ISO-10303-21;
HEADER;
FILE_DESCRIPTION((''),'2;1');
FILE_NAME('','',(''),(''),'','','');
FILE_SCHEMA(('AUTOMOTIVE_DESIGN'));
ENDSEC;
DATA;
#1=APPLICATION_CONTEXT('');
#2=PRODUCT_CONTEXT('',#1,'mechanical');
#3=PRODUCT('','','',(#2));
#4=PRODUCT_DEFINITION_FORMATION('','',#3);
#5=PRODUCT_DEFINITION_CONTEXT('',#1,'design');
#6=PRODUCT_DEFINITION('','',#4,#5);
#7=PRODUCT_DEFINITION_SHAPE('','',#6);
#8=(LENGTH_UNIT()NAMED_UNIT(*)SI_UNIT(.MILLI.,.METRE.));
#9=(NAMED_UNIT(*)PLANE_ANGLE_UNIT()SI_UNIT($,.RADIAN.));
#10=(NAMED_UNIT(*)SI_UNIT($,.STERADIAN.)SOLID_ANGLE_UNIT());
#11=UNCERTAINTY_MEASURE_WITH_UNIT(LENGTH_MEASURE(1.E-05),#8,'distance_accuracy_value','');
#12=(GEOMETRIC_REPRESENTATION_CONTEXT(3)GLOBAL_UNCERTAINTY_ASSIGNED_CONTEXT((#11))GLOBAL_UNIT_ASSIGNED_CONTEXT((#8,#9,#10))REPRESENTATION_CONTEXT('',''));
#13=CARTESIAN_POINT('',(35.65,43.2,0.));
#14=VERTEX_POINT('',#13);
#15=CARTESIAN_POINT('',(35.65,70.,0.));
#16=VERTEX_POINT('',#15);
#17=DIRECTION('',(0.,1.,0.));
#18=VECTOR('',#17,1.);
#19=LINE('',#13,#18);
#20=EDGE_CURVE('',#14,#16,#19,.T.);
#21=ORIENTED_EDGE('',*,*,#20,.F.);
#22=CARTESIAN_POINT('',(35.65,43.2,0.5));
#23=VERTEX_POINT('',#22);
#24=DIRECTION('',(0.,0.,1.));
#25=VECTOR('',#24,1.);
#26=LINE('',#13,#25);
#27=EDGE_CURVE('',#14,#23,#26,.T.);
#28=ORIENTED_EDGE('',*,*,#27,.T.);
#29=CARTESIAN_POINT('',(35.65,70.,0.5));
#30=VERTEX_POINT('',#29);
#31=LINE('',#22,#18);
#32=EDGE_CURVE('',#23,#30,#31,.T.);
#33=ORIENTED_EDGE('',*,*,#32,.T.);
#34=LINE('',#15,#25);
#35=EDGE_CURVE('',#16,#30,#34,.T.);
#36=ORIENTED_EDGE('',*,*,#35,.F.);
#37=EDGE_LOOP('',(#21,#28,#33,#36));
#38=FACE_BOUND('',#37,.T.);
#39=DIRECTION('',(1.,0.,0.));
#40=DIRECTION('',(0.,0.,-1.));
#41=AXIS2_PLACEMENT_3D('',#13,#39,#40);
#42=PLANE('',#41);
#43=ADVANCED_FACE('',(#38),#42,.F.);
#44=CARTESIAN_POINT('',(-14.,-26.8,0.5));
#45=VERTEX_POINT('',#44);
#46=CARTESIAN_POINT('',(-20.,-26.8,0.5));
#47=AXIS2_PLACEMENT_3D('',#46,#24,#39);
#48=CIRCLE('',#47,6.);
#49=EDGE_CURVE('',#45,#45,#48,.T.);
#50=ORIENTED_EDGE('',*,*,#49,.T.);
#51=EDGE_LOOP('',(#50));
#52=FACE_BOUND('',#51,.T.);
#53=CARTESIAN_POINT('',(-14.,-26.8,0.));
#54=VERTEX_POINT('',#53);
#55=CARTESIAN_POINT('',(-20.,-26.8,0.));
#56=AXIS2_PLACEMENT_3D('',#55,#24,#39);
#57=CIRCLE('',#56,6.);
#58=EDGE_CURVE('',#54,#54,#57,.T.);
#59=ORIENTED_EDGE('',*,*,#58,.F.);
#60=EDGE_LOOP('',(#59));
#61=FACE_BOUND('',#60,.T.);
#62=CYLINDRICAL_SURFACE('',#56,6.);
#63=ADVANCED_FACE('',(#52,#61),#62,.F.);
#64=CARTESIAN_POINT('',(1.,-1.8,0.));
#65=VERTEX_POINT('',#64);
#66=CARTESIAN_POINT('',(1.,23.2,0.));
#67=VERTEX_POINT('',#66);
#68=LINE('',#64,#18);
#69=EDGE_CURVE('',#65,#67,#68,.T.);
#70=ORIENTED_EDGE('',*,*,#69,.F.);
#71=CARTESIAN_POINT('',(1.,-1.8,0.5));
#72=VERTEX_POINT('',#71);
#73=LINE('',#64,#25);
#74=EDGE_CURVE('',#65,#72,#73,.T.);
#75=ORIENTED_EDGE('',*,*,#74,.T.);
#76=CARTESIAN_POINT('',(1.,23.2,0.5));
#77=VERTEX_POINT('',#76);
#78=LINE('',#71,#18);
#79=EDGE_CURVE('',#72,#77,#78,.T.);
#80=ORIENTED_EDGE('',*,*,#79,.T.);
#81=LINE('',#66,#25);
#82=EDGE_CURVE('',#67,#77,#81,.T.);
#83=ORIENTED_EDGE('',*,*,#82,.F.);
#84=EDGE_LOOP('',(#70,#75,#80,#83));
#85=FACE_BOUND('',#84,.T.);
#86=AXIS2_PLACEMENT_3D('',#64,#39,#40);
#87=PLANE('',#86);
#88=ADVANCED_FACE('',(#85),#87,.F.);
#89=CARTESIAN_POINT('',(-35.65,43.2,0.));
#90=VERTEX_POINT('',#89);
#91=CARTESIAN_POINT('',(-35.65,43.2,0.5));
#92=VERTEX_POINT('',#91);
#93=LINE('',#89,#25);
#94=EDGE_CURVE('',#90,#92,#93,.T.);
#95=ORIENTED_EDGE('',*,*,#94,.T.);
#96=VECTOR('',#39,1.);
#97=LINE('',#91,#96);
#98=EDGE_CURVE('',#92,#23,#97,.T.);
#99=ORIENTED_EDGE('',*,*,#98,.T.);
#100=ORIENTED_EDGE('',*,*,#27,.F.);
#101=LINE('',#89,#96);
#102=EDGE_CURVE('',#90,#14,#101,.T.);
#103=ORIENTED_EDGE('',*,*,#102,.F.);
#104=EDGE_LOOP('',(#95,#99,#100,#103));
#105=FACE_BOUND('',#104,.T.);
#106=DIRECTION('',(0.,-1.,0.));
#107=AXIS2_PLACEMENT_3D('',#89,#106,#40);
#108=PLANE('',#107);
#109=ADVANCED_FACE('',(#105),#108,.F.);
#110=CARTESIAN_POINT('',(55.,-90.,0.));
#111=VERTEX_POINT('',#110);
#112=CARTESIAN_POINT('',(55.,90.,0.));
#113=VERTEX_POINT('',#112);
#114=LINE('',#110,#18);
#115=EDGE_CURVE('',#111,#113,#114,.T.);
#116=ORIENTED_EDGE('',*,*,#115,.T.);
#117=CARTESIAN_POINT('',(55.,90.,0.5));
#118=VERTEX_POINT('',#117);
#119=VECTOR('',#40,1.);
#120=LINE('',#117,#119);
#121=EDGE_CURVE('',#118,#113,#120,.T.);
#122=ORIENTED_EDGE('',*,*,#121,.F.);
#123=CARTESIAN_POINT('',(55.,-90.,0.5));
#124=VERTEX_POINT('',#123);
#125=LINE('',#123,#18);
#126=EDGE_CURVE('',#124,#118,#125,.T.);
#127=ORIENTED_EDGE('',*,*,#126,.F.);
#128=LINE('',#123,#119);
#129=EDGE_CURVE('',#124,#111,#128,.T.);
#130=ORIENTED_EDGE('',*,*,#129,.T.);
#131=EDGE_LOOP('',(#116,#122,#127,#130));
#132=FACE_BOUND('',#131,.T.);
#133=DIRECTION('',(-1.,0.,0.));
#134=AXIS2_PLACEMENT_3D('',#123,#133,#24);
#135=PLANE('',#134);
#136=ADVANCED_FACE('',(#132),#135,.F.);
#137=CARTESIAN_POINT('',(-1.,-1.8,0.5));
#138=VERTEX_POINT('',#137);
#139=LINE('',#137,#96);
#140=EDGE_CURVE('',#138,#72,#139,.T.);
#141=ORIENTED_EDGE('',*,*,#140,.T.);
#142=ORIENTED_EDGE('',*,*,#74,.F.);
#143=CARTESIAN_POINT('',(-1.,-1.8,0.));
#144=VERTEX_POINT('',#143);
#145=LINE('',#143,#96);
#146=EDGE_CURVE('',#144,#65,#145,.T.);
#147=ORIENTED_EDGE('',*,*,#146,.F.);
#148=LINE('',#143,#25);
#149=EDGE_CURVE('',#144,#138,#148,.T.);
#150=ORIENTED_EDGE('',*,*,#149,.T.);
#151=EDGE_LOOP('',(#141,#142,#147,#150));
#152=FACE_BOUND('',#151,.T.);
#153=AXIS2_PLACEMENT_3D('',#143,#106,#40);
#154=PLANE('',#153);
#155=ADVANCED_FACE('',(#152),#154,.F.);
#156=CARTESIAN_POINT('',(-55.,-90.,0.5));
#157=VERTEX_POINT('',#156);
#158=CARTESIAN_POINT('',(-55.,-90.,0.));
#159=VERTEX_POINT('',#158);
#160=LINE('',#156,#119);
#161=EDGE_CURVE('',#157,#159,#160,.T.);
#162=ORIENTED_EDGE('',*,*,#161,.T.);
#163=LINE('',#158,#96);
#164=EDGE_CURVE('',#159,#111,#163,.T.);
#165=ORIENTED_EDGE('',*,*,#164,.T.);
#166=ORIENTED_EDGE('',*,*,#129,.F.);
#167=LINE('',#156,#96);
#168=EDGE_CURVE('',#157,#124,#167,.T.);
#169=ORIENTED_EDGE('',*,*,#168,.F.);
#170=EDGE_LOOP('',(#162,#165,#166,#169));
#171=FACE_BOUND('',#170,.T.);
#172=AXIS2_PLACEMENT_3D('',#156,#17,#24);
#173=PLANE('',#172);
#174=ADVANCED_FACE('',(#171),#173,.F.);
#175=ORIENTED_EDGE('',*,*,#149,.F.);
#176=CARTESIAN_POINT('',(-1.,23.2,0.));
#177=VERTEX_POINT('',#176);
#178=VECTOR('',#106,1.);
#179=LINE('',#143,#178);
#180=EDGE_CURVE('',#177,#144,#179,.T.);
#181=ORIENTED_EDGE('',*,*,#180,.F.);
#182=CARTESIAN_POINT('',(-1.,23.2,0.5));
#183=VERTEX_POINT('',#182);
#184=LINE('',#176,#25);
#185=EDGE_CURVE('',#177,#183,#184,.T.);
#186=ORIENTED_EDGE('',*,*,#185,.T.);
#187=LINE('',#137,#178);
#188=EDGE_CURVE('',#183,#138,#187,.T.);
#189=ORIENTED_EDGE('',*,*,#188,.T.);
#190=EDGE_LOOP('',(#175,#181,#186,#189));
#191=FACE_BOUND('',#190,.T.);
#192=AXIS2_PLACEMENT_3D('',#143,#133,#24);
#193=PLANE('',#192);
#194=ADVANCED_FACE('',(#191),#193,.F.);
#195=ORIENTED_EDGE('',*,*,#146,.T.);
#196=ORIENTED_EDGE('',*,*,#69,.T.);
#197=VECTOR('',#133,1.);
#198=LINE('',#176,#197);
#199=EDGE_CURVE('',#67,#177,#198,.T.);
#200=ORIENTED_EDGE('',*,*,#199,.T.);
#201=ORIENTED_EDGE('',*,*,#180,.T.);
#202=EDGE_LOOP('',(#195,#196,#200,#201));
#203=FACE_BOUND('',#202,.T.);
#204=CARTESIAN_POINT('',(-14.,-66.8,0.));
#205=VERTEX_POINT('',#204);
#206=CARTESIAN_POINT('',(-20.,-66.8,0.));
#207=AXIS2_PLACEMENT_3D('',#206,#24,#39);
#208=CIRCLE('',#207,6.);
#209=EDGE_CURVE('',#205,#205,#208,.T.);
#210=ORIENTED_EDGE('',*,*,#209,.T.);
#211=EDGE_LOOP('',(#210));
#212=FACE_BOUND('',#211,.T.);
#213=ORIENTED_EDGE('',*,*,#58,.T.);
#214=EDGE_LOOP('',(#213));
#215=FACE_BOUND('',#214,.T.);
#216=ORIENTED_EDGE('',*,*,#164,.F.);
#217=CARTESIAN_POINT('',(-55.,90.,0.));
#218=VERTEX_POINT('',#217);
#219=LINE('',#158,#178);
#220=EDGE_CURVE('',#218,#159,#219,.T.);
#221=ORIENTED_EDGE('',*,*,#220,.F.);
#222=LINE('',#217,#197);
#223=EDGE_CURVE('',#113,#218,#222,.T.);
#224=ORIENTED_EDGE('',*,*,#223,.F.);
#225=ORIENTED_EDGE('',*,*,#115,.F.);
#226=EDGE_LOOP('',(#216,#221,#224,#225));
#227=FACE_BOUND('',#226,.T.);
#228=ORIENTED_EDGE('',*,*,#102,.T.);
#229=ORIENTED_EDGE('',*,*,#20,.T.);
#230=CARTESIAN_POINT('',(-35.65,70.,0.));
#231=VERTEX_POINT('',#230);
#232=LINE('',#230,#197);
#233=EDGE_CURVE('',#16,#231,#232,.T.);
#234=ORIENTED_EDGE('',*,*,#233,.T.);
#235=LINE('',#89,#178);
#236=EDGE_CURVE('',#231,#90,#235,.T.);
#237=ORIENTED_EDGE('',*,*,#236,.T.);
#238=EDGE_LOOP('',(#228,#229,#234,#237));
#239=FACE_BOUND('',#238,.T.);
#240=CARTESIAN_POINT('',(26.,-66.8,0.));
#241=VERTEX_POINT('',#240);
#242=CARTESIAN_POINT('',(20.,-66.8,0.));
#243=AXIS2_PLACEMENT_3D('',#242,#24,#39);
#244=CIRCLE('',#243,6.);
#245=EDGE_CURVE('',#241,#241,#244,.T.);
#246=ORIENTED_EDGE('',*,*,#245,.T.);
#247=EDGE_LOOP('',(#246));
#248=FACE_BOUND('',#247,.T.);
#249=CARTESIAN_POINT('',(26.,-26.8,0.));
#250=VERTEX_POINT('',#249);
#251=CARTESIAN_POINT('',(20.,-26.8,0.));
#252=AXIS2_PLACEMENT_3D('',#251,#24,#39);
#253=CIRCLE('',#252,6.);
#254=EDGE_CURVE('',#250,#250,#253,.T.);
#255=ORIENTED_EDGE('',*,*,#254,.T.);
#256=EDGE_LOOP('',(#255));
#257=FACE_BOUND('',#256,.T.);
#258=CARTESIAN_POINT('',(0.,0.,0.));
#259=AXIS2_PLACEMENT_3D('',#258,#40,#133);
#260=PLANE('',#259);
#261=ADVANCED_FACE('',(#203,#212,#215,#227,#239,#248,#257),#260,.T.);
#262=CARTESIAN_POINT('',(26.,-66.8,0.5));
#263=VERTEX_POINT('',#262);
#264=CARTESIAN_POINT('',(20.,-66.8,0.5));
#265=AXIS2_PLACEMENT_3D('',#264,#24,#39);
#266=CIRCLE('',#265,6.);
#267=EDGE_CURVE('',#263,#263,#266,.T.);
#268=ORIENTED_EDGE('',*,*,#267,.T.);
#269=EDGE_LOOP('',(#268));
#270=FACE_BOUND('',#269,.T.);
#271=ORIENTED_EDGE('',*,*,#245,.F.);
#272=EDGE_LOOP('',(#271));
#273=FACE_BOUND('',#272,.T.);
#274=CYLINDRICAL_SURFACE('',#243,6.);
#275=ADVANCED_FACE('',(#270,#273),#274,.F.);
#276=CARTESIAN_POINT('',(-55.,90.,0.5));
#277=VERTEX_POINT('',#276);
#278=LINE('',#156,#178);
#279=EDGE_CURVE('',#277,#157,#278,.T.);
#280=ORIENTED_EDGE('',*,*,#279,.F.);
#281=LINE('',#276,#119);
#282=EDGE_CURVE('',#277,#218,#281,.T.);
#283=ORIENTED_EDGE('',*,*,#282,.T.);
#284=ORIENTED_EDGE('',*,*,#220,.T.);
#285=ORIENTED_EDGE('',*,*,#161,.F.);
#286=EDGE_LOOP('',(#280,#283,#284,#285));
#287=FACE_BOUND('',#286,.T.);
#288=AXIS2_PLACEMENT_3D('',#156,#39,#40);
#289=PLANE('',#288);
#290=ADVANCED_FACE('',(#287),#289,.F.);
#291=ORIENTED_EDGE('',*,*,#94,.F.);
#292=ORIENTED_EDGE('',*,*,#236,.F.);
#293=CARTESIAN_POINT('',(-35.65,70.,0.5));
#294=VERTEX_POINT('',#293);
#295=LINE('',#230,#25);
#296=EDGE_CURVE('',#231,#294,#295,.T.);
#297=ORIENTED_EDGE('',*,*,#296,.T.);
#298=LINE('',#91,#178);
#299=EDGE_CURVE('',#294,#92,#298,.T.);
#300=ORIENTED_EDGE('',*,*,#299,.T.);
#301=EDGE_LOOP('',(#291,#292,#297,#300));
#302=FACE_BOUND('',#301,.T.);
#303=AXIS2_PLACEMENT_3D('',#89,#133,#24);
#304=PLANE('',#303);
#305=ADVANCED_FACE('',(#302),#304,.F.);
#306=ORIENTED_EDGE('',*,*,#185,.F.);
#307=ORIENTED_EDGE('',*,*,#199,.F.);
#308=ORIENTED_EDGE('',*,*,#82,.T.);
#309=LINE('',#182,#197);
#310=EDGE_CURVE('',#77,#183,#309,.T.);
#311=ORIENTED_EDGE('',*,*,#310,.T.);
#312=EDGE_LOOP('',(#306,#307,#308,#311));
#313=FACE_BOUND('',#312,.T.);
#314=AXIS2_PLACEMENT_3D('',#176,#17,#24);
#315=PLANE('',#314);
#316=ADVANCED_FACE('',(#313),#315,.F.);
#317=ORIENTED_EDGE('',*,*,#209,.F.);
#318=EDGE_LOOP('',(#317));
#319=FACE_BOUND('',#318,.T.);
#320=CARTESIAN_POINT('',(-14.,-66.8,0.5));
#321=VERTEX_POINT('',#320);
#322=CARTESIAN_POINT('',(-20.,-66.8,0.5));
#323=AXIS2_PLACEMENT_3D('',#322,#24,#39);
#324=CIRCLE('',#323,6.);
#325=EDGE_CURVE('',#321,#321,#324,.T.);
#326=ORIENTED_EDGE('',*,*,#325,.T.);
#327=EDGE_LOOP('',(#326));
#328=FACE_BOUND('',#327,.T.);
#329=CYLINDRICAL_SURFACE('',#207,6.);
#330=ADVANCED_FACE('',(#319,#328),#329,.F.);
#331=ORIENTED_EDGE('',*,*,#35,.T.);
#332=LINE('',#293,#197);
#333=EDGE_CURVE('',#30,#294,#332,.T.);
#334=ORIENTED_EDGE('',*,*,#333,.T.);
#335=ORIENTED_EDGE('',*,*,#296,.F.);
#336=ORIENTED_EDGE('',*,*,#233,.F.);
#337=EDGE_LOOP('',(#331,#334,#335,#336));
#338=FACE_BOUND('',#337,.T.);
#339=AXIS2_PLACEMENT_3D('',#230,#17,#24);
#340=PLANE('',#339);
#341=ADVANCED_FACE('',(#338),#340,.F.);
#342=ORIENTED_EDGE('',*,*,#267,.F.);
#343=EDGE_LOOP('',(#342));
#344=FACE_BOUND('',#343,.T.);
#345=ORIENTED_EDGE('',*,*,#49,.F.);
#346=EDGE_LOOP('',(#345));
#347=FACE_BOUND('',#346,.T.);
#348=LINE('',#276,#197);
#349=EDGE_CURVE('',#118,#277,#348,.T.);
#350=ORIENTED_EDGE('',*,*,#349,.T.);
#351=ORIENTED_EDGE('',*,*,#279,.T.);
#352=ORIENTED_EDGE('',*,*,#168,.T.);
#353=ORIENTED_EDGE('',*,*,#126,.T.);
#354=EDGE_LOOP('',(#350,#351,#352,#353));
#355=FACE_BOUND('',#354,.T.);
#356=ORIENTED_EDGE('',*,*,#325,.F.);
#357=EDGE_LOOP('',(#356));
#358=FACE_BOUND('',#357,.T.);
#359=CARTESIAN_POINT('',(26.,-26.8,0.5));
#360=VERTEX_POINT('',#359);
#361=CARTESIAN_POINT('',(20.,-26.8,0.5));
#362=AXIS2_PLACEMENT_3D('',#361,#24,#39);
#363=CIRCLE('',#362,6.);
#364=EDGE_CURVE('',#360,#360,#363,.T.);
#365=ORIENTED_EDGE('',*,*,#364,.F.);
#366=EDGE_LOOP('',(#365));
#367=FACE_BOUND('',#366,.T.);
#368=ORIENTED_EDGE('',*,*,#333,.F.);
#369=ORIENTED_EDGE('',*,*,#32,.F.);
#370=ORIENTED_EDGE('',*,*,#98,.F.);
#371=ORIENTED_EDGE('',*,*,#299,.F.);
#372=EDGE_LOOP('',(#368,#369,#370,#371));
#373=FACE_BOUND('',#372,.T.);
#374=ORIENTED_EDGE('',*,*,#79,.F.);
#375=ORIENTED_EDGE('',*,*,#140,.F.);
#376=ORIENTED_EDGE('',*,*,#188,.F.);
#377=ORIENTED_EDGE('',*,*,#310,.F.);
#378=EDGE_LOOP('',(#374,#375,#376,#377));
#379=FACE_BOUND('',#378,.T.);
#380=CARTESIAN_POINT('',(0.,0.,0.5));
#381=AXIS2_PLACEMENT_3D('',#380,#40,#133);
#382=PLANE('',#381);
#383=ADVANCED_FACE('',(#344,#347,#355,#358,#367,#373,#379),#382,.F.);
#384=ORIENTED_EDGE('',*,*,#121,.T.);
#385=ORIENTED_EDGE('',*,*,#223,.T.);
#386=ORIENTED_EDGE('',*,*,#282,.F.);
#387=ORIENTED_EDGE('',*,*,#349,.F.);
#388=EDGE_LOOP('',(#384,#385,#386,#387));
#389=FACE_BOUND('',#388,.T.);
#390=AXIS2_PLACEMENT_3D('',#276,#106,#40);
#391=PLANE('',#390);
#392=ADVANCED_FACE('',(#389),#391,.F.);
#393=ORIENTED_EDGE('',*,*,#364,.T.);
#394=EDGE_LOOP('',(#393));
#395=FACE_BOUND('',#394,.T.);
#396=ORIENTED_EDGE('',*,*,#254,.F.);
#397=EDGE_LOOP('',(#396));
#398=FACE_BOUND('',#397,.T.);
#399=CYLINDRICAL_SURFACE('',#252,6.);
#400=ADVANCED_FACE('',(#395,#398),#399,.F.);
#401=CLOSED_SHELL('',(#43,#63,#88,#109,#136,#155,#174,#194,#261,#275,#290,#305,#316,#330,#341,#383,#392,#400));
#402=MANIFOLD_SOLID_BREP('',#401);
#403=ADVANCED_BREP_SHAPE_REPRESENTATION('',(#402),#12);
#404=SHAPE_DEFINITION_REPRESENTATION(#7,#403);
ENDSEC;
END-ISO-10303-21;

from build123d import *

# Parameters (mm, degrees)
SKETCH1_W           = 110
SKETCH1_H           = 180
BOSS_EXTRUDE1_DEPTH = 0.5
SKETCH2_R           = 6
SKETCH2_W           = 71.3
SKETCH2_H           = 26.8
SKETCH2_W_2         = 2
SKETCH2_H_2         = 25
CUT_EXTRUDE1_DEPTH  = 106.476300656


with BuildPart() as part:
    # Sketch1 → Boss-Extrude1 (new body)
    with BuildSketch(Plane.XY):
        Rectangle(SKETCH1_W, SKETCH1_H)
    extrude(amount=BOSS_EXTRUDE1_DEPTH)

    # Sketch2 → Cut-Extrude1 (cut, through all)
    with BuildSketch(Plane.XY.offset(0.5)):
        with Locations((-20, -26.8)):
            Circle(SKETCH2_R)
        with Locations((20, -26.8)):
            Circle(SKETCH2_R)
        with Locations((20, -66.8)):
            Circle(SKETCH2_R)
        with Locations((-20, -66.8)):
            Circle(SKETCH2_R)
        with Locations((0, 56.6)):
            Rectangle(SKETCH2_W, SKETCH2_H)
        with Locations((0, 10.7)):
            Rectangle(SKETCH2_W_2, SKETCH2_H_2)
    extrude(amount=-CUT_EXTRUDE1_DEPTH, mode=Mode.SUBTRACT)


solid = part.part
